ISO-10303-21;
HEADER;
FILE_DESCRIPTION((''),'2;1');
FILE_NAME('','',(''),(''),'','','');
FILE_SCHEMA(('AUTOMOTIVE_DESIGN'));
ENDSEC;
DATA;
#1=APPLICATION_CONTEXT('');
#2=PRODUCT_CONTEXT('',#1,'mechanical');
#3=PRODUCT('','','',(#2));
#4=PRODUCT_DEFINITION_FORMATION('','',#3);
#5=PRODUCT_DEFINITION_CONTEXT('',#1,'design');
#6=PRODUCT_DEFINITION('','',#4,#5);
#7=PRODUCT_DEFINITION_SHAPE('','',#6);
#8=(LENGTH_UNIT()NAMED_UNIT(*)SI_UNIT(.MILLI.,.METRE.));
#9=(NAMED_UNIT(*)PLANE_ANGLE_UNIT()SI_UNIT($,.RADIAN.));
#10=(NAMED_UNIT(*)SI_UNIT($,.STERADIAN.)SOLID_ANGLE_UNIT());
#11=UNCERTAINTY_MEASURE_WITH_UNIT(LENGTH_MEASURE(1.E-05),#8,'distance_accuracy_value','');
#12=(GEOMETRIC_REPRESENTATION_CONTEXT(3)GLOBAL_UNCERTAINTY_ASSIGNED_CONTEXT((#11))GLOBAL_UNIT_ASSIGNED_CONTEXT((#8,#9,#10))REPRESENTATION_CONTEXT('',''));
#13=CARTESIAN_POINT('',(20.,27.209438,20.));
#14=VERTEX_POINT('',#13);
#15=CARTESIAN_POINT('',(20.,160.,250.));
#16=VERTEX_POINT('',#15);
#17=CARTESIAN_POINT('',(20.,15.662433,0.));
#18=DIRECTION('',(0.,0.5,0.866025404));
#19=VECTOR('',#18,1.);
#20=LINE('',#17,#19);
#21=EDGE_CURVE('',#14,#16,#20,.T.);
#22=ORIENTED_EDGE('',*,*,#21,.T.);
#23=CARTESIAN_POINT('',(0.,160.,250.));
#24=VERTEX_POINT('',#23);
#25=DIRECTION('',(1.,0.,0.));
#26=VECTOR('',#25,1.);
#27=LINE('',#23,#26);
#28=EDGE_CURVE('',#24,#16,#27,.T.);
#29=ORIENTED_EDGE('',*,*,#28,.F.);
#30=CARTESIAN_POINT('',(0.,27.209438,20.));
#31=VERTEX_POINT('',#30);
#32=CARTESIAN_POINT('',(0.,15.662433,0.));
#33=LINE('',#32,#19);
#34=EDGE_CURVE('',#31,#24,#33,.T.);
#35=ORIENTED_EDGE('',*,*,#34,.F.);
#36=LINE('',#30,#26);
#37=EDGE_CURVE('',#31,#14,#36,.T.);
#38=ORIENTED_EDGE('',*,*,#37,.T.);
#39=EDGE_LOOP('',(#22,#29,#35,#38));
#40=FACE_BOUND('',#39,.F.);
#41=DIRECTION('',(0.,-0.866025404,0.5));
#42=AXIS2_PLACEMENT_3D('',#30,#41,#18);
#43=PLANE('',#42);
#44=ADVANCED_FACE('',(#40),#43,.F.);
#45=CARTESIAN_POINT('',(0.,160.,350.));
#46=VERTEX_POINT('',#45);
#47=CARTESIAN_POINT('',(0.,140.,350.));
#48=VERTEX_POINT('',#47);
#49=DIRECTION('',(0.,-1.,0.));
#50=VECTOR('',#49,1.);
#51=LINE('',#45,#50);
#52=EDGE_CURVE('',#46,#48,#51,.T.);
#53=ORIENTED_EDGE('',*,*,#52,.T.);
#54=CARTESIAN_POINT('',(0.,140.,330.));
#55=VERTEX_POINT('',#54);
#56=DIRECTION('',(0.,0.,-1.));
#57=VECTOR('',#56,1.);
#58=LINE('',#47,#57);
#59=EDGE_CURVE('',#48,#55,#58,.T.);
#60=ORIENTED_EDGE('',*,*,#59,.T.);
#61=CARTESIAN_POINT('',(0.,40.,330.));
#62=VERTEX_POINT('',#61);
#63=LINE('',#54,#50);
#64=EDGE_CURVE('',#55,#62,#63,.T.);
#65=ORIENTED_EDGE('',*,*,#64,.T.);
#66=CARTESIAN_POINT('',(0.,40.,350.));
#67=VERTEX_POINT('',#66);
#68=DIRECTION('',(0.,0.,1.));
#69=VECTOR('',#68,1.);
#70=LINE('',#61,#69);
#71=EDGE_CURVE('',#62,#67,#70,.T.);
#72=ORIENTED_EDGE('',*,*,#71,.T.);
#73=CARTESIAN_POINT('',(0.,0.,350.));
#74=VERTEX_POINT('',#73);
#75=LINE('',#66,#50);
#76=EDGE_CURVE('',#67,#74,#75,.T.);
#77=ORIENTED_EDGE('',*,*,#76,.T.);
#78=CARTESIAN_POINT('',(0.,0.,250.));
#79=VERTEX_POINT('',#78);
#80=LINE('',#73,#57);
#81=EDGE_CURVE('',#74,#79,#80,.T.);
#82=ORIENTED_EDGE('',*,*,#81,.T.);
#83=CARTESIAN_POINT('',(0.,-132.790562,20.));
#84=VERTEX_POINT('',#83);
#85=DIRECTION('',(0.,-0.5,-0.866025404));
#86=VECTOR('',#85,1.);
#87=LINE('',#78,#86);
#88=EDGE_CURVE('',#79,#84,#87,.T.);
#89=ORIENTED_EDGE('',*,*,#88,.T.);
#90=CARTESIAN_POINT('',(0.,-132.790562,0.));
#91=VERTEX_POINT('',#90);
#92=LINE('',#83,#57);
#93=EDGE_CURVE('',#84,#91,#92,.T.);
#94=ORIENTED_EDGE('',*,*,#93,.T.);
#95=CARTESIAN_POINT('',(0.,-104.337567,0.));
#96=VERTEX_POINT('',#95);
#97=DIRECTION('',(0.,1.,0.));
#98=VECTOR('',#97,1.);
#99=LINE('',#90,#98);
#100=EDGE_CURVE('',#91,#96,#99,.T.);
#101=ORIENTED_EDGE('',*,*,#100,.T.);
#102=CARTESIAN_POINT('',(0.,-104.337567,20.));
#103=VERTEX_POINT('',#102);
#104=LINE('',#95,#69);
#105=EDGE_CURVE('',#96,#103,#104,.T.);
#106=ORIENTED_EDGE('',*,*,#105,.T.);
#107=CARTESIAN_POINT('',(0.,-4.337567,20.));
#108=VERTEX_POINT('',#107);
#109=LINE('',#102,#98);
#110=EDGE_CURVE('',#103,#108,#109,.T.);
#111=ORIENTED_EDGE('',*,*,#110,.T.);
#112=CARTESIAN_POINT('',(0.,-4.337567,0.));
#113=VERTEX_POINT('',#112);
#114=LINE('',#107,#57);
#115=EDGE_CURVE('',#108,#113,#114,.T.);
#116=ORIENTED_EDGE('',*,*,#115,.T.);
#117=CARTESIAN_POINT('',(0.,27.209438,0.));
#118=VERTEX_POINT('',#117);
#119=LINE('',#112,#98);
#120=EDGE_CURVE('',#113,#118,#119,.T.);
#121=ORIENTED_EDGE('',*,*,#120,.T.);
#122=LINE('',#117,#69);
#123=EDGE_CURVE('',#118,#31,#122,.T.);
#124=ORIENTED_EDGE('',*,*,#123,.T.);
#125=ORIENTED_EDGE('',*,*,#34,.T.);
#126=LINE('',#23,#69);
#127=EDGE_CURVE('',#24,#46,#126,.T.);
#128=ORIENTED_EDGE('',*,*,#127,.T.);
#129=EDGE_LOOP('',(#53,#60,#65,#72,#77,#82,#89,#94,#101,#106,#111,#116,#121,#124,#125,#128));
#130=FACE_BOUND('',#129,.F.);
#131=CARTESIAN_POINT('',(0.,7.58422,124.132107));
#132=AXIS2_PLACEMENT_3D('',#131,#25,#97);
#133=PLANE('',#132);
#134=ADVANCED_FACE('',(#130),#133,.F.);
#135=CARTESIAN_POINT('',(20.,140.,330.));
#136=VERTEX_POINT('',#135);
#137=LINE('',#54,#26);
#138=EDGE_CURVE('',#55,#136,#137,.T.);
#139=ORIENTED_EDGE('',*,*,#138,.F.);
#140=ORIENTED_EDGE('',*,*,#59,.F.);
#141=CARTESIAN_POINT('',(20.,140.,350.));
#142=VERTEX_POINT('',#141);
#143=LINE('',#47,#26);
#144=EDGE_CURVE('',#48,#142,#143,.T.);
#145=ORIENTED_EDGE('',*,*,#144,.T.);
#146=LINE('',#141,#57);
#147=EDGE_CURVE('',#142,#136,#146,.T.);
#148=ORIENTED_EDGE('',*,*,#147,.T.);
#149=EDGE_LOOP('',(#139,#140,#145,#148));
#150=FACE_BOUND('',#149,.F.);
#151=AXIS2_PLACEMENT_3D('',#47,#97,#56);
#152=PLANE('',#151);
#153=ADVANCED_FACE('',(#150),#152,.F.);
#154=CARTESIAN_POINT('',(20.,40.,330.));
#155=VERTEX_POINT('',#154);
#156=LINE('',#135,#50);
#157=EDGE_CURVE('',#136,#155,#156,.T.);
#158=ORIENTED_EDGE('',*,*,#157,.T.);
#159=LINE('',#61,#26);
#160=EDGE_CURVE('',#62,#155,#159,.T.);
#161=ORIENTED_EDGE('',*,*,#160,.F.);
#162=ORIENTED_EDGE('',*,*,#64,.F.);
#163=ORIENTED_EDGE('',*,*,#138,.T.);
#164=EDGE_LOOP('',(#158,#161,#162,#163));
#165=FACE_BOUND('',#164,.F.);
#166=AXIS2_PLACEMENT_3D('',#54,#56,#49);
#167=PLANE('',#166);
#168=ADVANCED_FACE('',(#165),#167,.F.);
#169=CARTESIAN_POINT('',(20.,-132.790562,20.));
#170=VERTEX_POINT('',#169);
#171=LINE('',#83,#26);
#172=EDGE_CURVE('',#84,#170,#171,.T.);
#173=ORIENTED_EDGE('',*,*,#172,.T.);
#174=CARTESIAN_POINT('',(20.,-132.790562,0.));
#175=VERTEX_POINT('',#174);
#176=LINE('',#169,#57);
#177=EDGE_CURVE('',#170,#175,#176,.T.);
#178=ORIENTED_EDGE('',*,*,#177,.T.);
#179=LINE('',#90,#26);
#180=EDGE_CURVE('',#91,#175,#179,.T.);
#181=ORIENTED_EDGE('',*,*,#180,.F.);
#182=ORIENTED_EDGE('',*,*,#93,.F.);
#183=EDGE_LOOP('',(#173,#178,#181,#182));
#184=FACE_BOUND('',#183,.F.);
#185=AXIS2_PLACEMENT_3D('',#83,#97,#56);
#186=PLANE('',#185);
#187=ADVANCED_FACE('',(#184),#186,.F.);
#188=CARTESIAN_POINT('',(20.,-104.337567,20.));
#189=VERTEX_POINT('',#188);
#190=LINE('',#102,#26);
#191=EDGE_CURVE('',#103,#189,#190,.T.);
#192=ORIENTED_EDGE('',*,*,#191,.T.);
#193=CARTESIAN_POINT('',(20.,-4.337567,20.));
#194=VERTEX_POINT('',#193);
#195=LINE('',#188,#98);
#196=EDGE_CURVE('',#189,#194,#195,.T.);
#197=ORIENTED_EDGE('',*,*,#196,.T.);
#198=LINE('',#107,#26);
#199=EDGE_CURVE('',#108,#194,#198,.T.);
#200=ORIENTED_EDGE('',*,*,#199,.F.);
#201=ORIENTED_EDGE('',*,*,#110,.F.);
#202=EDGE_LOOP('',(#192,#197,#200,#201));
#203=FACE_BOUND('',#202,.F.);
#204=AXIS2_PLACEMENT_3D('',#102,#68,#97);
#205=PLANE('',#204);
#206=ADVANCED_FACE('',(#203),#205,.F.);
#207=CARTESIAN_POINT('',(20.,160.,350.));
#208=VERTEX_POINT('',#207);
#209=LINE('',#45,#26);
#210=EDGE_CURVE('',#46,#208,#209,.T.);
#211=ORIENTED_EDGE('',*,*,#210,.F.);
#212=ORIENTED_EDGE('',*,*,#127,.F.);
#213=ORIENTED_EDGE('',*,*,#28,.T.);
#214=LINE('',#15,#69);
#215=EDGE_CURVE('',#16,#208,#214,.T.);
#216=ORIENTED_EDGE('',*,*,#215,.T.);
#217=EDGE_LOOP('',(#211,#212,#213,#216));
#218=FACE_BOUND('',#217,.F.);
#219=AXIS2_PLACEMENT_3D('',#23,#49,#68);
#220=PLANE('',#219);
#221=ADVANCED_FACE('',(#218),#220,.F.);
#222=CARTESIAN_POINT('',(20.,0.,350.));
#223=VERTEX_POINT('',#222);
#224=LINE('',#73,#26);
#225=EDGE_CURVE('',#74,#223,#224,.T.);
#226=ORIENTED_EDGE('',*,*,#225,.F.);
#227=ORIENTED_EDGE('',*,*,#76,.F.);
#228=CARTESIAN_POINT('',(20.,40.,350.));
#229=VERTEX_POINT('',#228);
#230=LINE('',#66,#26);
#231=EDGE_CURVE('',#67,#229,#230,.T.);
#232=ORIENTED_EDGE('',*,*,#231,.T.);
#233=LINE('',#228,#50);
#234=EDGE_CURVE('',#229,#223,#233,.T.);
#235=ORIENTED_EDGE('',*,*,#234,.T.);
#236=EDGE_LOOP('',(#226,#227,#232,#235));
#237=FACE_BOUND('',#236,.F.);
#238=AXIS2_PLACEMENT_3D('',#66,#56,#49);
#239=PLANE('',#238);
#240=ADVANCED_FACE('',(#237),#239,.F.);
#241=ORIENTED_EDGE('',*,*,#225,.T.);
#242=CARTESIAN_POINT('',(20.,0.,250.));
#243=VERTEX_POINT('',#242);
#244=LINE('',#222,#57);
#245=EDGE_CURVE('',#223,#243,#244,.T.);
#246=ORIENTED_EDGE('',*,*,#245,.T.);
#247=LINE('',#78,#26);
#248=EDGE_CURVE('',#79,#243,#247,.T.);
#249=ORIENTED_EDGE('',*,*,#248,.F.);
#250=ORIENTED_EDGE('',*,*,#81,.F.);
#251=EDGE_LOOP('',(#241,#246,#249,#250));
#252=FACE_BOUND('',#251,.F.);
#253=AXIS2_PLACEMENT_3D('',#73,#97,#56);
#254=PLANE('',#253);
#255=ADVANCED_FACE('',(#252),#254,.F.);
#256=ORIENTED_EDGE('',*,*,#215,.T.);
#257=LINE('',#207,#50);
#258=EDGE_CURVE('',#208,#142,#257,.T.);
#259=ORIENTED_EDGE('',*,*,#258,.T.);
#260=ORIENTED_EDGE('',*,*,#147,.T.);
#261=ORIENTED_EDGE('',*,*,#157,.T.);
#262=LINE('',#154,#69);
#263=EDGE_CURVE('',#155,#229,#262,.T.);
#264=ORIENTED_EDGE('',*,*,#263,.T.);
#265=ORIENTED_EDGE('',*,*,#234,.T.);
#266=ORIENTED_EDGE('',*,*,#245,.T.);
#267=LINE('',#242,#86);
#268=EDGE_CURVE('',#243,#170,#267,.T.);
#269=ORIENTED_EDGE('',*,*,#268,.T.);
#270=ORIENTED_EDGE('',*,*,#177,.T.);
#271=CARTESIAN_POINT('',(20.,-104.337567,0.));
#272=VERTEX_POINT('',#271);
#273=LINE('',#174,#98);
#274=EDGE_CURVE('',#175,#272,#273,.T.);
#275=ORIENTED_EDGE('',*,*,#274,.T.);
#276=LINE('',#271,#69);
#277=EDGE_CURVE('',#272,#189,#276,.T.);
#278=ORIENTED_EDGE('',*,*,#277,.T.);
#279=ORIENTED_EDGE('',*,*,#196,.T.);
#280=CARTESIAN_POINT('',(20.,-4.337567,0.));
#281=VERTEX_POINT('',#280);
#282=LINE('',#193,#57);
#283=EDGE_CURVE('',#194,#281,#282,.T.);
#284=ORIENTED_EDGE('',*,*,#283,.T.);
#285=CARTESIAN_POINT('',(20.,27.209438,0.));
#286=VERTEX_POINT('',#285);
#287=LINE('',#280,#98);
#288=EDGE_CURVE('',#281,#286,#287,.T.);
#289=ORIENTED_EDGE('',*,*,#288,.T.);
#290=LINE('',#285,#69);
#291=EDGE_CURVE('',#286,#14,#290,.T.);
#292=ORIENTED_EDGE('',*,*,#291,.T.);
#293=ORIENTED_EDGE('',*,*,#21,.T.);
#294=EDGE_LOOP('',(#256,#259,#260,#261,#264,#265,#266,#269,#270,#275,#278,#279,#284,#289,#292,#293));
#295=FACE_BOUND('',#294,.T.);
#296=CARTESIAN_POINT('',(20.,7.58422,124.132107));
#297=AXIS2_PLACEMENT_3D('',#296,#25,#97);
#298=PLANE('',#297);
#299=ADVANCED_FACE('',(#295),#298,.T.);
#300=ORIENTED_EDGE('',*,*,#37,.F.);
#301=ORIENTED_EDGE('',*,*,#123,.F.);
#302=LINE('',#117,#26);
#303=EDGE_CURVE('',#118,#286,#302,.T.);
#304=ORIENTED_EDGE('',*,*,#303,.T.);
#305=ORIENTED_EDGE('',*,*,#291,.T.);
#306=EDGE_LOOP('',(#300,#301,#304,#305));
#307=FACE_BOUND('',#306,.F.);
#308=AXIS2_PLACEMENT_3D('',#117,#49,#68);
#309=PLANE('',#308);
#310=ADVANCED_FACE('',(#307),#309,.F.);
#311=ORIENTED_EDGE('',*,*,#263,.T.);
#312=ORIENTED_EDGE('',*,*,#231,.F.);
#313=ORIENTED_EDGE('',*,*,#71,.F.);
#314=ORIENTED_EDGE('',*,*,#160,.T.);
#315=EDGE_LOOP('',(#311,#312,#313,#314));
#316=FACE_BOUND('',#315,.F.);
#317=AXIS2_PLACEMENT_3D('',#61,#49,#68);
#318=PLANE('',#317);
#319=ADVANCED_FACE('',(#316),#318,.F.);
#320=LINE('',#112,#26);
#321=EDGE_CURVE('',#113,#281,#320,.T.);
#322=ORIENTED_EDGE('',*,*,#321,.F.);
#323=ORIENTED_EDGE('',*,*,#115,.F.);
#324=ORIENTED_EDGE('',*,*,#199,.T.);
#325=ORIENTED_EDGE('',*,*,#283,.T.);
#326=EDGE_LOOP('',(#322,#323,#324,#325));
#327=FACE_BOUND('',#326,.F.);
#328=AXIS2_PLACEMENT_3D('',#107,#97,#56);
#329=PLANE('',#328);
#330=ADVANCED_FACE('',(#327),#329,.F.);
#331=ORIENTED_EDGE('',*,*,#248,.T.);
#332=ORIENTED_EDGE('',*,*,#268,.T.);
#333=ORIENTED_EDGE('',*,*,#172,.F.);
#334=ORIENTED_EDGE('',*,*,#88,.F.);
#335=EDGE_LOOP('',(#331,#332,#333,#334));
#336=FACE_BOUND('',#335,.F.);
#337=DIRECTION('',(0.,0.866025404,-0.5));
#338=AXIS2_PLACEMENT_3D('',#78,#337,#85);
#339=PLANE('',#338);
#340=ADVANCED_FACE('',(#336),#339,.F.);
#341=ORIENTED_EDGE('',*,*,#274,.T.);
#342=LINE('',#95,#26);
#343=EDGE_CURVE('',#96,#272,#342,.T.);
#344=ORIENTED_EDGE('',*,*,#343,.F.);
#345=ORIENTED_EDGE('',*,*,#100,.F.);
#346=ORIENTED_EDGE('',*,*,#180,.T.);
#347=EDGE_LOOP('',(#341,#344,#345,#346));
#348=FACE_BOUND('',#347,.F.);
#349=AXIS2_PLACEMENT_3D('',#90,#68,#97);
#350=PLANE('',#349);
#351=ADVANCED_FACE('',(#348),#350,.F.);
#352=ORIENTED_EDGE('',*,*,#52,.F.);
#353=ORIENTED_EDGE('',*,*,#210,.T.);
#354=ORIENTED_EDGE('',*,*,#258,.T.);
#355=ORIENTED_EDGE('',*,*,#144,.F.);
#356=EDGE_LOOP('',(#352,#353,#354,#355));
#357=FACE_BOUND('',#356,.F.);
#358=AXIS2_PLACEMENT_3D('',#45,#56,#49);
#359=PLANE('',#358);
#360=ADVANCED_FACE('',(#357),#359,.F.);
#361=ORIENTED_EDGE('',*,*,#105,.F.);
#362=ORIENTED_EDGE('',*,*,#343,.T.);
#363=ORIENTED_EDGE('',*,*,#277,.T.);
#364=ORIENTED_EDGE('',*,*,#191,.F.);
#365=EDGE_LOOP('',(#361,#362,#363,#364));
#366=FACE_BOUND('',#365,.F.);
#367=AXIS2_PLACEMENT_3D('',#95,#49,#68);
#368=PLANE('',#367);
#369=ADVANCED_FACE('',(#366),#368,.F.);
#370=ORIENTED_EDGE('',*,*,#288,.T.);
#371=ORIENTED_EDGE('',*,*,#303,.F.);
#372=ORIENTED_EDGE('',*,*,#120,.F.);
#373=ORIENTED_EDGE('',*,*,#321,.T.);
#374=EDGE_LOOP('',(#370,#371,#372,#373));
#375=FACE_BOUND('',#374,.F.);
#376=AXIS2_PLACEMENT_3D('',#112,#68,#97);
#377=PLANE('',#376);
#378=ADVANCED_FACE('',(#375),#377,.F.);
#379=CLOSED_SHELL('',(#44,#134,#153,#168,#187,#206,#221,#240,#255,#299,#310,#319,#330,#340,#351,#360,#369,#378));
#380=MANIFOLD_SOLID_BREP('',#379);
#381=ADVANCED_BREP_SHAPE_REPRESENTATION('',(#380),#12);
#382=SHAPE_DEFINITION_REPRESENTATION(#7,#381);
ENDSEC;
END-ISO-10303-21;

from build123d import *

# Parameters (mm, degrees)
F1_DEPTH = 20


with BuildPart() as f1:
    # F0 (on Right) → F1 (new body)
    with BuildSketch(Plane.YZ):
        Polygon((-132.7905619136, 20), (-132.7905619136, 0), (-104.3375672974, 0), (-104.3375672974, 20), (-4.3375672974, 20), (-4.3375672974, 0), (15.6624327026, 0), (27.2094380864, 20), (160, 250), (0, 250), align=None)
        Polygon((27.2094380864, 20), (15.6624327026, 0), (27.2094380864, 0), align=None)
        Polygon((0, 350), (0, 250), (160, 250), (160, 350), (140, 350), (140, 330), (40, 330), (40, 350), align=None)
    extrude(amount=F1_DEPTH)


solid = f1.part
